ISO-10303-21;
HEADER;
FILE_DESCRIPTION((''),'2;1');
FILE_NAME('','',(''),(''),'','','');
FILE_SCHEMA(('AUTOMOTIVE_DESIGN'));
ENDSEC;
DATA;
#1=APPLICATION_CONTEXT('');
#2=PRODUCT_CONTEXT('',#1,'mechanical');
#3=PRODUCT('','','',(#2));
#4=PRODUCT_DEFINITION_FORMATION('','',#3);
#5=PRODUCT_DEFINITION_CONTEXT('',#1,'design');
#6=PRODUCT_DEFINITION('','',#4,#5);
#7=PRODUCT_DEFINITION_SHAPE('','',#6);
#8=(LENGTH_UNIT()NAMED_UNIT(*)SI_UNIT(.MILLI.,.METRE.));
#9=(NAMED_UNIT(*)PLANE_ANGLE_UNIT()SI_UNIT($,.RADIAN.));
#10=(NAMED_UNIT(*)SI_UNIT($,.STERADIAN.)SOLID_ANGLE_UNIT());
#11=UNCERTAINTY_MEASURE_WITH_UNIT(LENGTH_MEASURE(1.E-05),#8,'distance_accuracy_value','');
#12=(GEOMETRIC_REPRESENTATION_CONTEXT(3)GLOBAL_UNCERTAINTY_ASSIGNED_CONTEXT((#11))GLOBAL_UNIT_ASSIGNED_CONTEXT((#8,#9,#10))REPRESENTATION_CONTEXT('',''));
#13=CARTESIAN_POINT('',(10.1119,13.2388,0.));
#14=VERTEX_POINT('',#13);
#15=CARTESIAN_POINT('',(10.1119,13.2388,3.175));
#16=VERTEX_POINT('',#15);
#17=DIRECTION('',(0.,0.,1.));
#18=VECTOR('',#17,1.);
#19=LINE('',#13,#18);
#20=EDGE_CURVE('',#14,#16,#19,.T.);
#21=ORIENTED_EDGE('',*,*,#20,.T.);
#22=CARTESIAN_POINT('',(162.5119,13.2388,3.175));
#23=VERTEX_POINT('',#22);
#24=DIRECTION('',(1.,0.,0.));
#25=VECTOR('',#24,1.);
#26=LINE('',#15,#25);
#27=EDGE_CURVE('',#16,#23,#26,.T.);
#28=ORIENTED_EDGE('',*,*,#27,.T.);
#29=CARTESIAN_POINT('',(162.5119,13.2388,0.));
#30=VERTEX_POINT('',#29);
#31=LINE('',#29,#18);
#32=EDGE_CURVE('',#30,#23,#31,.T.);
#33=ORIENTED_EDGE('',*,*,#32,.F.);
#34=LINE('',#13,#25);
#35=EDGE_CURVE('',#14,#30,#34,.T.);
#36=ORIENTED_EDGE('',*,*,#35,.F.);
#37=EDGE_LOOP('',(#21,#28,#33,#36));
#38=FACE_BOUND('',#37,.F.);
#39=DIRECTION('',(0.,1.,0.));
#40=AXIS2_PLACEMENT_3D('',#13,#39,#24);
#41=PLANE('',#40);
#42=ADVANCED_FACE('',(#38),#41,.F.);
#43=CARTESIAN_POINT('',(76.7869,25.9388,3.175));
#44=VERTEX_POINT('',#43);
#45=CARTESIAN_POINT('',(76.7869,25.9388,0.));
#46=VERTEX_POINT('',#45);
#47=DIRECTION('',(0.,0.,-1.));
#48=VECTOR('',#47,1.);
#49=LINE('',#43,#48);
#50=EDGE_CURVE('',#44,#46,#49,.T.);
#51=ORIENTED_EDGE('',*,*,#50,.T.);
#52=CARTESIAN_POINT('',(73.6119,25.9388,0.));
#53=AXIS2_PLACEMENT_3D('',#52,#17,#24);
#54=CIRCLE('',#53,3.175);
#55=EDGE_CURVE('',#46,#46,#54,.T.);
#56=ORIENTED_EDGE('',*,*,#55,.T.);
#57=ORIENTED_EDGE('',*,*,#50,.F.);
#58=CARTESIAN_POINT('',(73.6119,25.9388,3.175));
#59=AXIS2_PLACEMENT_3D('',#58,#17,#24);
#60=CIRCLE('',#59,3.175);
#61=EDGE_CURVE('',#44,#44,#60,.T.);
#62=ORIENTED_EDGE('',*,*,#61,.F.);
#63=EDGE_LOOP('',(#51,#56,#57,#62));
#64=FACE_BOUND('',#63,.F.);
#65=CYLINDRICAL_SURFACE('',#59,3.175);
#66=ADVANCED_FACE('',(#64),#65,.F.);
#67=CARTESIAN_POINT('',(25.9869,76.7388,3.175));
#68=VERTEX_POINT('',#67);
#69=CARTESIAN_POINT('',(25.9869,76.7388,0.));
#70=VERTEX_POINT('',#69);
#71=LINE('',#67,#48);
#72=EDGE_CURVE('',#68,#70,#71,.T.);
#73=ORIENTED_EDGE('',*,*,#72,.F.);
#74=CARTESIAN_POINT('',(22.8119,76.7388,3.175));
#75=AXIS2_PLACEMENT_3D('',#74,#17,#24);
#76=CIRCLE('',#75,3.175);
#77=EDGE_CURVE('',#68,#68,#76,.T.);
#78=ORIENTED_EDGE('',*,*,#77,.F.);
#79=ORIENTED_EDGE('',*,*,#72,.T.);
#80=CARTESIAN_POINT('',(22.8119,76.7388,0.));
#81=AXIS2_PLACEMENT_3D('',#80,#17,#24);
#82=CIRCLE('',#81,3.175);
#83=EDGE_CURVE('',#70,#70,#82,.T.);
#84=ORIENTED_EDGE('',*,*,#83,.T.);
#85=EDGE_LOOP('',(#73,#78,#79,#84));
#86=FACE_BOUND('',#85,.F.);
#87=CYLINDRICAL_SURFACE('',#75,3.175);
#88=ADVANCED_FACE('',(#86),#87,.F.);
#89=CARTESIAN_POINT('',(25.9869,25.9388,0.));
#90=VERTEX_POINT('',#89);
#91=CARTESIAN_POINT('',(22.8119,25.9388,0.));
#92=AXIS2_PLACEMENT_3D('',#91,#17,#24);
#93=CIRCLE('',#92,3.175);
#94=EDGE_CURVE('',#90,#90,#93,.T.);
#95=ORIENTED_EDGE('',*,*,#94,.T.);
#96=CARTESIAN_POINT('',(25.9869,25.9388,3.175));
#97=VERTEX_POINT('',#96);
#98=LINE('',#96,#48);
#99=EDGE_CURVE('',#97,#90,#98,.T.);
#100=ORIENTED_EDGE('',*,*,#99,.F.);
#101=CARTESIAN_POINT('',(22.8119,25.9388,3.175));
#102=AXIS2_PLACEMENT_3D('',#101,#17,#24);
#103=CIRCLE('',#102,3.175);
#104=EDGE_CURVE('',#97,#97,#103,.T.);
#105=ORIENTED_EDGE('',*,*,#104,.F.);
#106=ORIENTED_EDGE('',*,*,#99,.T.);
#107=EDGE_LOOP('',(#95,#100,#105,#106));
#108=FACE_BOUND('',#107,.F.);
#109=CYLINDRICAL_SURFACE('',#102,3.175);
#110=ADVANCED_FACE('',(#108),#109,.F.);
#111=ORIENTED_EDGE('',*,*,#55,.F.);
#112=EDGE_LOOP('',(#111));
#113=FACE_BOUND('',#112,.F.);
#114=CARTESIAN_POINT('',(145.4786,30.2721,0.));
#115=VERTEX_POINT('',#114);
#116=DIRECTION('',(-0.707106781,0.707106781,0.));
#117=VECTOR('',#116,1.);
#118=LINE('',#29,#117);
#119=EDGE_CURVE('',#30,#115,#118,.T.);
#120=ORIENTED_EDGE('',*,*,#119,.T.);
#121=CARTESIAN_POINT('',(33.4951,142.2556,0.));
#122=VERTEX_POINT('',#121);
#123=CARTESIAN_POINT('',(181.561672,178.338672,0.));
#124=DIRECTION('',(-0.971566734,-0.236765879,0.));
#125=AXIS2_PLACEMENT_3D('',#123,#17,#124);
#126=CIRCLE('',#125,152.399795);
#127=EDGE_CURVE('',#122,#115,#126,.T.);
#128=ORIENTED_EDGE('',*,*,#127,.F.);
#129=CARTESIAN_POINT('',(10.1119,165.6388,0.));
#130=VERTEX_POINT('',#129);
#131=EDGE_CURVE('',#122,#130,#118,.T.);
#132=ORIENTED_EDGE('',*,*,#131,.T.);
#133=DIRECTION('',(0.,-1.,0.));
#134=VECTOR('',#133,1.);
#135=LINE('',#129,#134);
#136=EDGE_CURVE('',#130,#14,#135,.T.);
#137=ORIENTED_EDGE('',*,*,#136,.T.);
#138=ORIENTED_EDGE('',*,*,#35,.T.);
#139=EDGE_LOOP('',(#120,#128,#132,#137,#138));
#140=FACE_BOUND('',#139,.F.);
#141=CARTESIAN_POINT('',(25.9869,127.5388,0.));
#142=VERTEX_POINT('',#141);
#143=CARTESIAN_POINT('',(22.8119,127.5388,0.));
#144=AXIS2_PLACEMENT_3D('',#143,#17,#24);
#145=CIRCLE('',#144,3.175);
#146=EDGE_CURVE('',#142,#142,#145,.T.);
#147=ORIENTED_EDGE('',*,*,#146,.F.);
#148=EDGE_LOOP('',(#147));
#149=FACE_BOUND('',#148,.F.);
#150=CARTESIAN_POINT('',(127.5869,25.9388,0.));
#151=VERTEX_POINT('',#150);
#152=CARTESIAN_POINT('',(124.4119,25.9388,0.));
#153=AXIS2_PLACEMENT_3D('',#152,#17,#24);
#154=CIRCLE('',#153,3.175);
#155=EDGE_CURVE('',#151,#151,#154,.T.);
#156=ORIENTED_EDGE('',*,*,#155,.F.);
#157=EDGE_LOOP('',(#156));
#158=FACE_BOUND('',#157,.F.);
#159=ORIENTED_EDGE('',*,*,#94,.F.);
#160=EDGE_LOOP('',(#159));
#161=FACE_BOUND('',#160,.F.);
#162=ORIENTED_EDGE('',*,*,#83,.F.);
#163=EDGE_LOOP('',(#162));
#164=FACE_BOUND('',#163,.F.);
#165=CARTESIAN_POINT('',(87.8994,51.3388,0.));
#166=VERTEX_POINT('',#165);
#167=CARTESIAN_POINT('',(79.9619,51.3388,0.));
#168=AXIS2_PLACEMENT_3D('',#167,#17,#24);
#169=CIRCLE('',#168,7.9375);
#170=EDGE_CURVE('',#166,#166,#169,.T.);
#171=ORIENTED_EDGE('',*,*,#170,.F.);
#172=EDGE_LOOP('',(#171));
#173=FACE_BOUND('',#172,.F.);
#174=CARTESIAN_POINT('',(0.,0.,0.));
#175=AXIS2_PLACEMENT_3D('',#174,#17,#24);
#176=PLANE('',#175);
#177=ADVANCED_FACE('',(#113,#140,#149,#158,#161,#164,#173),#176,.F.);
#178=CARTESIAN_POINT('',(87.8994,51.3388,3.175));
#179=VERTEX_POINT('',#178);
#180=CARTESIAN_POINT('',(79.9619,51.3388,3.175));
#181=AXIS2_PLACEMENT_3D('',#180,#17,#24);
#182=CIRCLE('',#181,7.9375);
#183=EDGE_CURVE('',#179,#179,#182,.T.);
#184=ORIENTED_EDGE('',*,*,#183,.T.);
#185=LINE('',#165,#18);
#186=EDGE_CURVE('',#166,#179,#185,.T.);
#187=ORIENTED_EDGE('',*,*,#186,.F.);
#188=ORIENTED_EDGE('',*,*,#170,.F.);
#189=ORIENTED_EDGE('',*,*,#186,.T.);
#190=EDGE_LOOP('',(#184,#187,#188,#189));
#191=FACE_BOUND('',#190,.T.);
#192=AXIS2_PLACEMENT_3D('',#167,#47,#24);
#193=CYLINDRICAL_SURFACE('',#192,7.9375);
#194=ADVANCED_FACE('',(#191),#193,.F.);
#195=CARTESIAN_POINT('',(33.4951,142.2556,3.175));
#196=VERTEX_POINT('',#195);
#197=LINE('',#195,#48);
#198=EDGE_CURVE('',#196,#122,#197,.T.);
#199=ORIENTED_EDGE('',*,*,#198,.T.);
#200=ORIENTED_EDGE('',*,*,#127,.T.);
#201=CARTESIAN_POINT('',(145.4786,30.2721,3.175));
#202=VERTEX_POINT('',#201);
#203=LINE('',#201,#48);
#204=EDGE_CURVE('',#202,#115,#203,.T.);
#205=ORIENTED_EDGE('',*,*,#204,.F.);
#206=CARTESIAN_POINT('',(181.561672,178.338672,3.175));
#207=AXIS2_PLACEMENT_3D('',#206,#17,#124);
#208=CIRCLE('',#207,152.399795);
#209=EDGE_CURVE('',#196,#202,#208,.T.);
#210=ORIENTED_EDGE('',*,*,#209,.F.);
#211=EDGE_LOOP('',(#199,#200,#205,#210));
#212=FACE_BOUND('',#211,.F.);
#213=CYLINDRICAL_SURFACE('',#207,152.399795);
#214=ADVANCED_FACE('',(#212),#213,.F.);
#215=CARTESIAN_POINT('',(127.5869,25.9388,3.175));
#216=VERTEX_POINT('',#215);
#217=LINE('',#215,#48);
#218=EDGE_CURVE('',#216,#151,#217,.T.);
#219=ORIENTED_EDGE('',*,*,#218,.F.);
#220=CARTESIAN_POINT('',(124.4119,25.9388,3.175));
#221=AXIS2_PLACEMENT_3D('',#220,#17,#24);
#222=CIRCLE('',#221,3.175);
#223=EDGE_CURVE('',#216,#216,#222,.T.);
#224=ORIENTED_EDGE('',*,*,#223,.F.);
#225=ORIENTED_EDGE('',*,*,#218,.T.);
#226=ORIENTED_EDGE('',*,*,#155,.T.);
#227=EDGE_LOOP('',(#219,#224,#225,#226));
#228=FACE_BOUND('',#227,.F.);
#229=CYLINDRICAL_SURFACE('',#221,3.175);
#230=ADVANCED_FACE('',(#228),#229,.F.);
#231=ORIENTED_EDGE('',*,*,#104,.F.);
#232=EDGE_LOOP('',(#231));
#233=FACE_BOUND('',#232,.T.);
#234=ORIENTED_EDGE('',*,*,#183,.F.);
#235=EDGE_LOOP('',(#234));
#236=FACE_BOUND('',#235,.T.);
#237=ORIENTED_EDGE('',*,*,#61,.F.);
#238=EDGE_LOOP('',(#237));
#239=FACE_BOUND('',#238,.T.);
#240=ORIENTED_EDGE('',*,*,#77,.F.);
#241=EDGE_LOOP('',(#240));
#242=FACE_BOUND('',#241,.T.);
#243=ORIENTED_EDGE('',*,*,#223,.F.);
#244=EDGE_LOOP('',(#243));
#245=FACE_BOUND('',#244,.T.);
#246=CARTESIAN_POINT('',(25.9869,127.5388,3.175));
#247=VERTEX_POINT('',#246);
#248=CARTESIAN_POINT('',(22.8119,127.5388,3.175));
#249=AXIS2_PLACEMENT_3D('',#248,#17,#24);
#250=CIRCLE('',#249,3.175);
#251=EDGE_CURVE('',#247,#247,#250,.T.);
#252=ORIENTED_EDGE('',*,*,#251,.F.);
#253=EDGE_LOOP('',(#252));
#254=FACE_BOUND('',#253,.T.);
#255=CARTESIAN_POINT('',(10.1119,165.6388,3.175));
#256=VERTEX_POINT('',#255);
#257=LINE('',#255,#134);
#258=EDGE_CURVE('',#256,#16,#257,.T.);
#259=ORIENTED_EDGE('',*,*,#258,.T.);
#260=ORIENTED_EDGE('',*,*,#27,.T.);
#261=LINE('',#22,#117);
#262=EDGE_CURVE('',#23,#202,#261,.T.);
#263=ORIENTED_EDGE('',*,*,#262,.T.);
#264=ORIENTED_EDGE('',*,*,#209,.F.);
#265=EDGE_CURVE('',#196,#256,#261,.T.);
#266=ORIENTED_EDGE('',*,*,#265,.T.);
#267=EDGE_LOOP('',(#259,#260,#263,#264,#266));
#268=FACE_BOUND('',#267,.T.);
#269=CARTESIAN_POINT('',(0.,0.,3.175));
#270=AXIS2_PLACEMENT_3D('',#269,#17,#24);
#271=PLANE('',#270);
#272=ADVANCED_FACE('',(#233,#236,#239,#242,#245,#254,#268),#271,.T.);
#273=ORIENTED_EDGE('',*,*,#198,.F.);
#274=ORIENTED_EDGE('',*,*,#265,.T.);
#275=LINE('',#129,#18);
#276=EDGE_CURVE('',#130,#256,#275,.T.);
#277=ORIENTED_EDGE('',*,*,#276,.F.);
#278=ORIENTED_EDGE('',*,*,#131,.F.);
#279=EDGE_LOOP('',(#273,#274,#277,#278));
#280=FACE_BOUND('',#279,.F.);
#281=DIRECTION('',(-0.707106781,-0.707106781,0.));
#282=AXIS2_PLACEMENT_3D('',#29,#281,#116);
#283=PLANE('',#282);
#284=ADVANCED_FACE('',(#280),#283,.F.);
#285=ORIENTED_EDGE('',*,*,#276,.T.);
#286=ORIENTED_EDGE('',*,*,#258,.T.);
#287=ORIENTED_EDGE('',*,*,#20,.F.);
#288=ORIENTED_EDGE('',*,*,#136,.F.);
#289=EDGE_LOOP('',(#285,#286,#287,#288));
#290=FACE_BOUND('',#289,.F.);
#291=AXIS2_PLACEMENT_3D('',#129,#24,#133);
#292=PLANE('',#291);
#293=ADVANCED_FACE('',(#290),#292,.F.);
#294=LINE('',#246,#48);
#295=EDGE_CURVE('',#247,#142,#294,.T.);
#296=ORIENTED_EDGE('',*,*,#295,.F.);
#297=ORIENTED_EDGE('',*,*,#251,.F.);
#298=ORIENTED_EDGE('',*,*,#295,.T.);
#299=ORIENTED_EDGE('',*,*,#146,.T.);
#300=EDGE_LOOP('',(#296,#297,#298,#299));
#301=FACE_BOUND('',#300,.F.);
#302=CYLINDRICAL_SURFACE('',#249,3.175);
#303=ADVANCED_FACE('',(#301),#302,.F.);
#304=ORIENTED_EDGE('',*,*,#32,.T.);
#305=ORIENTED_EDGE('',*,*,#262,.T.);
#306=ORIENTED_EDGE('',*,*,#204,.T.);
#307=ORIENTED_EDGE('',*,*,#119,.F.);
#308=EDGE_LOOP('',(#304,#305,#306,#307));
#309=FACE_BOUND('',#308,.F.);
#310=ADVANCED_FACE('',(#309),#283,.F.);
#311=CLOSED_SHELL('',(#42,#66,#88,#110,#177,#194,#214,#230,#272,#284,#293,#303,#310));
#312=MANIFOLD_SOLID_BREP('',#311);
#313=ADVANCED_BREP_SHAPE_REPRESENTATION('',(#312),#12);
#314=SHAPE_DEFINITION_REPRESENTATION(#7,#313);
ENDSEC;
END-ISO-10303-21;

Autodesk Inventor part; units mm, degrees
ref_plane "YZ Plane" through (0, 0, 0) normal (1, 0, 0) x (0, 1, 0)
ref_plane "XZ Plane" through (0, 0, 0) normal (0, 1, 0) x (-1, 0, 0)
ref_plane "XY Plane" through (0, 0, 0) normal (0, 0, 1) x (1, 0, 0)
sketch "Sketch1" plane through (0, 0, 0) normal (0, 0, 1) x (1, 0, 0)
  circle A0 centre (79.9619, 51.3388) radius 7.9375
  line L0 (10.1119, 165.6388) -> (10.1119, 13.2388)
  line L1 (10.1119, 13.2388) -> (162.5119, 13.2388)
  line L2 (162.5119, 13.2388) -> (10.1119, 165.6388)
  point P0 (0, 0)
  dimension "d0" = 15.875
  dimension "d1" = 152.4
  dimension "d2" = 152.4
  dimension "d3" = 38.1
  dimension "d4" = 69.85
extrude "Extrusion1" add sketch "Sketch1" along normal blind 3.175
sketch "Sketch2" plane through (0, 0, 3.175) normal (0, 0, 1) x (1, 0, 0)
  line L0 (10.1119, 13.2388) -> (10.1119, 165.6388) projected
  line L1 (162.5119, 13.2388) -> (10.1119, 13.2388) projected
  circle A0 centre (22.8119, 76.7388) radius 3.175
  circle A1 centre (73.6119, 25.9388) radius 3.175
  circle A2 centre (22.8119, 25.9388) radius 3.175
  line L2 (22.8119, 76.7388) -> (22.8119, 25.9388) construction
  line L3 (22.8119, 25.9388) -> (73.6119, 25.9388) construction
  point P0 (0, 0)
  dimension "d7" = 6.35
  dimension "d8" = 12.7
  dimension "d9" = 12.7
  dimension "d10" = 50.8
  dimension "d13" = 50.8
extrude "Extrusion2" cut sketch "Sketch2" against normal through all
sketch "Sketch3" plane through (0, 0, 3.175) normal (0, 0, 1) x (1, 0, 0)
  circle A0 centre (22.8119, 25.9388) radius 3.175 projected
  circle A1 centre (22.8119, 127.5388) radius 3.175
  circle A2 centre (124.4119, 25.9388) radius 3.175
  line L0 (22.8119, 127.5388) -> (22.8119, 25.9388) construction
  line L1 (22.8119, 25.9388) -> (124.4119, 25.9388) construction
  point P0 (0, 0)
  dimension "d14" = 6.35
  dimension "d15" = 101.6
extrude "Extrusion3" cut sketch "Sketch3" against normal through all contours A1 | A2
sketch "Sketch5" plane through (0, 0, 3.175) normal (0, 0, 1) x (1, 0, 0)
  line L0 (10.1119, 165.6388) -> (162.5119, 13.2388) projected
  arc A0 (33.4951, 142.2556) -> (145.4786, 30.2721) centre (181.5619, 178.3388) ccw
  line L1 (33.4951, 142.2556) -> (145.4786, 30.2721)
  line L2 (10.1119, 13.2388) -> (10.1119, 165.6388) projected
  point P0 (0, 0)
  dimension "d18" = 152.4
  dimension "d25" = 165.1
  dimension "d26" = 171.45
extrude "Extrusion5" cut sketch "Sketch5" against normal through all
properties part number "CylinderOffsetPlate" material "Aluminum-6061"
